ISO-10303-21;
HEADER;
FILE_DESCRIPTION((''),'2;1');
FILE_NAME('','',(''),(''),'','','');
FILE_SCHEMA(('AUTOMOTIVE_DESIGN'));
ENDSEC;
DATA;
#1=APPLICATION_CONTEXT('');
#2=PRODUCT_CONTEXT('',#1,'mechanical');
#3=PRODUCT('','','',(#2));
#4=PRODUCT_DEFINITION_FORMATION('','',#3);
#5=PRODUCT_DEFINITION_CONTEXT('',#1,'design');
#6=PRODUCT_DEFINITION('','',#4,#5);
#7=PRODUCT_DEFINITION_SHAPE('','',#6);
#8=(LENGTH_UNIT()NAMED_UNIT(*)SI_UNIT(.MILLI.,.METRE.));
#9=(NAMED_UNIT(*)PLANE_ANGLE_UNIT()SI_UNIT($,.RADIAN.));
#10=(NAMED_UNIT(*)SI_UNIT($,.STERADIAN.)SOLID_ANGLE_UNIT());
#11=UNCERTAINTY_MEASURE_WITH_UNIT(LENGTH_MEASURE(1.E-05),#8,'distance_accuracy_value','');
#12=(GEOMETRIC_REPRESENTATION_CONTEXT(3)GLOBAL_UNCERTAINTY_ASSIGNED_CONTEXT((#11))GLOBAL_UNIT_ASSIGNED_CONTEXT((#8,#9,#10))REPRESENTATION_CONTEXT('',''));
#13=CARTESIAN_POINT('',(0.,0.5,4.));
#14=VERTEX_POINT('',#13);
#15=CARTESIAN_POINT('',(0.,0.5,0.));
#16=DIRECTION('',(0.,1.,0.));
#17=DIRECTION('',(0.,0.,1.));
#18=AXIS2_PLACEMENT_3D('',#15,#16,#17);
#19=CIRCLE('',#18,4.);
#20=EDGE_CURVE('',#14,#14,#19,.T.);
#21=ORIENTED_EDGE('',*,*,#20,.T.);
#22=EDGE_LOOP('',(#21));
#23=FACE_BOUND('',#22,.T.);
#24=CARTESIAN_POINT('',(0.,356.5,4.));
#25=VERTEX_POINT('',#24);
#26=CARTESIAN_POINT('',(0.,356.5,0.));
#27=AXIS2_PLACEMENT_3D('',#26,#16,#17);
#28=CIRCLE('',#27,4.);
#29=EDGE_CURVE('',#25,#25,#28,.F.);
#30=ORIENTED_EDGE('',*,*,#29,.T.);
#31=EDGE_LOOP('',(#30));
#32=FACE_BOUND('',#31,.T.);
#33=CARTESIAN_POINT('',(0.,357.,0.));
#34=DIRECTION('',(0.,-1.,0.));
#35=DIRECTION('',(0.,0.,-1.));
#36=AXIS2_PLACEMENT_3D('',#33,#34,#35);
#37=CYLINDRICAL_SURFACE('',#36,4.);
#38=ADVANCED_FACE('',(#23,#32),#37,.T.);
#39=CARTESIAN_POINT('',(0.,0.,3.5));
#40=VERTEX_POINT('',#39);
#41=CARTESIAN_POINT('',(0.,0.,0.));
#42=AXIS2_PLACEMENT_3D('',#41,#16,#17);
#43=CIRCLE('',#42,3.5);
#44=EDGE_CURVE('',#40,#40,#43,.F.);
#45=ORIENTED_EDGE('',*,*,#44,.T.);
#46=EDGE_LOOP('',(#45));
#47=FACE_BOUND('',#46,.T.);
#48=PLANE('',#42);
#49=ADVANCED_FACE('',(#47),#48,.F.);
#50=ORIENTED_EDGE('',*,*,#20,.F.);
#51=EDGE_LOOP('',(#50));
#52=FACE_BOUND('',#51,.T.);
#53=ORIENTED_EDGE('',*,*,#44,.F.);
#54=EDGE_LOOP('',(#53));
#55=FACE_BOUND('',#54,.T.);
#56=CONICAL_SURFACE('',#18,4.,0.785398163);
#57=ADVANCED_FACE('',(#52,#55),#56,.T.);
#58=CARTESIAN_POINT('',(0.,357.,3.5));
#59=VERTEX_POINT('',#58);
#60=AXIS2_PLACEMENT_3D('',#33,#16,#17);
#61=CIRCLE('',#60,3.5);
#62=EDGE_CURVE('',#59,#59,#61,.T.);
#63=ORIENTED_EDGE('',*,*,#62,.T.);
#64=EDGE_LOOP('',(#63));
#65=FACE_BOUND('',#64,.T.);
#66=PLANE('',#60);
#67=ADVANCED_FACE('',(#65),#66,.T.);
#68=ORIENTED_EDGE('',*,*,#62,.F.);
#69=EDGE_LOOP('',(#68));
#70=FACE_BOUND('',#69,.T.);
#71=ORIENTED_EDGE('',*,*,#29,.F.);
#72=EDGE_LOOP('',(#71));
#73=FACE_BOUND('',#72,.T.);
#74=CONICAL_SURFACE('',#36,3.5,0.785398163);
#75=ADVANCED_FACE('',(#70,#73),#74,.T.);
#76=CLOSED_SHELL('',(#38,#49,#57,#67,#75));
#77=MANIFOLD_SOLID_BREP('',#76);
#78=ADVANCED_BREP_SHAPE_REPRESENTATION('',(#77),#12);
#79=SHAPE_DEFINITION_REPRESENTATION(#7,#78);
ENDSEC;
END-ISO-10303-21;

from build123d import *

# Parameters (mm, degrees)
SKETCH1_R           = 4
BOSS_EXTRUDE1_DEPTH = 357
CHAMFER1_SIZE       = 0.5


with BuildPart() as part:
    # Sketch1 → Boss-Extrude1 (new body)
    with BuildSketch(Plane(origin=(0, 0, 0), x_dir=(1, 0, 0), z_dir=(0, 1, 0))):
        with Locations(Location((0, 0, 0), (0, 0, 270))):
            Circle(SKETCH1_R)
    extrude(amount=BOSS_EXTRUDE1_DEPTH)

    # Chamfer1
    chamfer1_edges = [part.edges().sort_by_distance(p)[0] for p in [
        (0, 0, -4),
        (0, 357, -4),
    ]]
    chamfer(chamfer1_edges, length=CHAMFER1_SIZE)


solid = part.part
